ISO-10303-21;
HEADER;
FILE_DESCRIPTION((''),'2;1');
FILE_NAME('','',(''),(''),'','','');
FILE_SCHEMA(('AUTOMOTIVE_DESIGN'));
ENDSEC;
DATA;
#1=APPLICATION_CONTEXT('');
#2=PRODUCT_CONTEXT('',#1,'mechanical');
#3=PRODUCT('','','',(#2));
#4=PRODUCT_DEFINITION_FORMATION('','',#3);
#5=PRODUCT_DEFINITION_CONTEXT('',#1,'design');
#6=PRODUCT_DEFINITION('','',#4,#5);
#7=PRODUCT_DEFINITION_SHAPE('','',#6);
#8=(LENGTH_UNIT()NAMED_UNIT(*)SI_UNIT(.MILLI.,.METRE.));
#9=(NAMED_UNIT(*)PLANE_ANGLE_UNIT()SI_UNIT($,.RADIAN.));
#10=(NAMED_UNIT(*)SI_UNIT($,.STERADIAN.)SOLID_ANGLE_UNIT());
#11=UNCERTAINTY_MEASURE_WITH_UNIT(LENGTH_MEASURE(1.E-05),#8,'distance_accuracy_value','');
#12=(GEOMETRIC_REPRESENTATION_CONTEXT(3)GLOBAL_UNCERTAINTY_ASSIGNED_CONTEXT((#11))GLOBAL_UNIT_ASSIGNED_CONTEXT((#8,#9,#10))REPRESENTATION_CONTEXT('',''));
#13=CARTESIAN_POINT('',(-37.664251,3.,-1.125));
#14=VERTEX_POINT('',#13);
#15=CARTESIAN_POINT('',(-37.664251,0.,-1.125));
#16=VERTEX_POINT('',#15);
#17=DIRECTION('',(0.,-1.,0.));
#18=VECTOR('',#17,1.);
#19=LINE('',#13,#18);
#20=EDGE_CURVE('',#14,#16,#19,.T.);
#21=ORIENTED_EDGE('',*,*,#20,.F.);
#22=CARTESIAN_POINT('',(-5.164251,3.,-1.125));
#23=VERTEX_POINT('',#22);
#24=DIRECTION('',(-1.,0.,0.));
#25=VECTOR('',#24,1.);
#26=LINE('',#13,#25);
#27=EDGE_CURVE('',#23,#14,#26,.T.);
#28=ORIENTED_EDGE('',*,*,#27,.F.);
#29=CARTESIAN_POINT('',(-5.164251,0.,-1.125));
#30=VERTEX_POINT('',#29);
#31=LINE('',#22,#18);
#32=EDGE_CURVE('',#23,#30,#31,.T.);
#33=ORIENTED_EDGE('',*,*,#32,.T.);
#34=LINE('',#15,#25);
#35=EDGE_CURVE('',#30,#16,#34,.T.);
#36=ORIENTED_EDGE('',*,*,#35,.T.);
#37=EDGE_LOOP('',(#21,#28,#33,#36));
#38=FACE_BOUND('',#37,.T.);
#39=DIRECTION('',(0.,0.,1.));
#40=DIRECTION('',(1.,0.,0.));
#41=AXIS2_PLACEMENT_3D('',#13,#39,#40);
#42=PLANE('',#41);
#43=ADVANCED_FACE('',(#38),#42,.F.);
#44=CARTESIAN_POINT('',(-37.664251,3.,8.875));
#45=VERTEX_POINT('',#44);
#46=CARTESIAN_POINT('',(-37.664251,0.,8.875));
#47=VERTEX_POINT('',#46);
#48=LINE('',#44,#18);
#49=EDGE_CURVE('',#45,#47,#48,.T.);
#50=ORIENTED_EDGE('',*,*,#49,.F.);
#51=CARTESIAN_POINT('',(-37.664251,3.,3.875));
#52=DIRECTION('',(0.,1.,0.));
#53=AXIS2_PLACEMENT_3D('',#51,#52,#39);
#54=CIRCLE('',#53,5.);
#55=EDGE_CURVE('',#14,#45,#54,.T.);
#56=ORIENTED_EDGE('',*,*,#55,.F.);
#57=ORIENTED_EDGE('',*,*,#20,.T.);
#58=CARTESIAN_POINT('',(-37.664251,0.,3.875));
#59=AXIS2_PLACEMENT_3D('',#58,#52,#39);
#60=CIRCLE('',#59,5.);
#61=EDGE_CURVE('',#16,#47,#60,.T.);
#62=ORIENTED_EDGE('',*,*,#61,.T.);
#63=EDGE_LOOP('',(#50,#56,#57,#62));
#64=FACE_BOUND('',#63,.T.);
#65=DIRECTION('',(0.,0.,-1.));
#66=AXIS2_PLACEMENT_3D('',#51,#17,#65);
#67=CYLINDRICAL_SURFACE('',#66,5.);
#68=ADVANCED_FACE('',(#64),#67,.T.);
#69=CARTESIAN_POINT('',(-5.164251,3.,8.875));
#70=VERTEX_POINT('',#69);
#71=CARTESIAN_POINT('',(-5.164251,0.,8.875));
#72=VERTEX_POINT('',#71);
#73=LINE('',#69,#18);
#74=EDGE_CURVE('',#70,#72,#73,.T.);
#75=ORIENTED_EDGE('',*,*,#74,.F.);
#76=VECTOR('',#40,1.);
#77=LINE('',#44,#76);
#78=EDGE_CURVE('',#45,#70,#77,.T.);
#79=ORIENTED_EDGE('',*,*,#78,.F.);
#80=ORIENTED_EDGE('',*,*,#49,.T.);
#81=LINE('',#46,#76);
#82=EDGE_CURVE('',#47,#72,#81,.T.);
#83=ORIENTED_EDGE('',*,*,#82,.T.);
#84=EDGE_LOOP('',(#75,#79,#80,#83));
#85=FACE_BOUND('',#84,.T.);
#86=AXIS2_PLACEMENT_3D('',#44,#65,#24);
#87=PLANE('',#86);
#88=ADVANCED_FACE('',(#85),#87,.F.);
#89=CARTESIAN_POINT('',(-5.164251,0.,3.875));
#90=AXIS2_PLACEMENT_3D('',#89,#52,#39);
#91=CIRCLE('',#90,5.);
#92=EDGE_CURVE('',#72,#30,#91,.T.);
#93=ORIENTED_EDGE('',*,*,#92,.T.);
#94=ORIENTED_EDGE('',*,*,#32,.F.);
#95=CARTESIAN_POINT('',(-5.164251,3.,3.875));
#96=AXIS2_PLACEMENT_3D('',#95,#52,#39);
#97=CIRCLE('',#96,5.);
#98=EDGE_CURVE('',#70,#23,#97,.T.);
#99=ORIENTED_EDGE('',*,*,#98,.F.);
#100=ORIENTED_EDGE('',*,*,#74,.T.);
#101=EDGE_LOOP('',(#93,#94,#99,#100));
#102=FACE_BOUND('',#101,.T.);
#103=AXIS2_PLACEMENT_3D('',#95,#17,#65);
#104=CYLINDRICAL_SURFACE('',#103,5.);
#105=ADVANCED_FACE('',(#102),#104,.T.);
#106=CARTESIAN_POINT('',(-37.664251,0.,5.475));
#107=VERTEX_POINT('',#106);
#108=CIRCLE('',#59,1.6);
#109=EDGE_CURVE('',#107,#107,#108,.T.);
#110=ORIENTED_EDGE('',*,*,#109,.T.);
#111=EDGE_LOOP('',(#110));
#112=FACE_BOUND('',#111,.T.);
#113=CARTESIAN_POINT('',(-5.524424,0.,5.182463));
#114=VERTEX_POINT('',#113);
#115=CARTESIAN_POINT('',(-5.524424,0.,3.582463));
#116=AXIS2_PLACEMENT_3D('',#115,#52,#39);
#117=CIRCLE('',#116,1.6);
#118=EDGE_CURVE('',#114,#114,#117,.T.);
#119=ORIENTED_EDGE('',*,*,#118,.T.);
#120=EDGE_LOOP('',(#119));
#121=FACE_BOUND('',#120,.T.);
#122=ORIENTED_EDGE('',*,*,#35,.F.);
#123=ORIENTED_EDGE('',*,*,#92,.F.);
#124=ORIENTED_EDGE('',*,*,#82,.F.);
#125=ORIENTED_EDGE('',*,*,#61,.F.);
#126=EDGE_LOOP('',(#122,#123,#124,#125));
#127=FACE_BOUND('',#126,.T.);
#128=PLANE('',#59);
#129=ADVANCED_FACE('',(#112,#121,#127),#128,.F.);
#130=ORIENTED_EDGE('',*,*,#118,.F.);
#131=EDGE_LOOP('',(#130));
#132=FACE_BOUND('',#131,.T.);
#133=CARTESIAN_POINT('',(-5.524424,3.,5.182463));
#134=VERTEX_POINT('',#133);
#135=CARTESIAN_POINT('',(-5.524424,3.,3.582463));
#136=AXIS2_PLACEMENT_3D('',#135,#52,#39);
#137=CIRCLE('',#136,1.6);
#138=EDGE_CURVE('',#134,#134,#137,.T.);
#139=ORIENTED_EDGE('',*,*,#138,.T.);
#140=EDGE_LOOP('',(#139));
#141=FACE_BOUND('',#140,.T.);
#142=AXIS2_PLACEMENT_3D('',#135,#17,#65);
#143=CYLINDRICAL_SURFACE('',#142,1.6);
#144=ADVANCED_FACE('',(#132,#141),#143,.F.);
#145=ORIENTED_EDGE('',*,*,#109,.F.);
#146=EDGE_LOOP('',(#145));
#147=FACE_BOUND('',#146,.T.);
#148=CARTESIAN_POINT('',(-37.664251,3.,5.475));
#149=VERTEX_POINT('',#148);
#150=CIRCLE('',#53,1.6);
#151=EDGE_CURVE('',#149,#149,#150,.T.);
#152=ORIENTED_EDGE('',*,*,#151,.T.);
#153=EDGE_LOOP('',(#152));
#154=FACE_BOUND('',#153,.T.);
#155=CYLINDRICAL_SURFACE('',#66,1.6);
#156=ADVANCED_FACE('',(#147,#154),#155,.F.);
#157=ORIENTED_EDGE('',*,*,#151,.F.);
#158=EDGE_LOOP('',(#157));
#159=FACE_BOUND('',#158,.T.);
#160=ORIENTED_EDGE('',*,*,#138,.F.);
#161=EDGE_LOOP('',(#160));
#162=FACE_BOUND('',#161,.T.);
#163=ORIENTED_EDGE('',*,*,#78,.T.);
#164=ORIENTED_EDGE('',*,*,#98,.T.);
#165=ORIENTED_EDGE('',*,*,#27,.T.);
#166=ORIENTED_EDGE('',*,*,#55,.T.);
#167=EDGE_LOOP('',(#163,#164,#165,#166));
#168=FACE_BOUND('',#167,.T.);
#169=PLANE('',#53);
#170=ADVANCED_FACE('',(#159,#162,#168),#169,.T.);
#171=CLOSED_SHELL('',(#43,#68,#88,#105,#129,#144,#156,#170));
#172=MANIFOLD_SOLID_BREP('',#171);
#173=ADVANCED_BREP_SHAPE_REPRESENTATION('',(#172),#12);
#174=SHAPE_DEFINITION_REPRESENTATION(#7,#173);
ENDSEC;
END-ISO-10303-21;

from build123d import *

# Parameters (mm, degrees)
SKETCH1_R           = 1.6
BOSS_EXTRUDE1_DEPTH = 3


with BuildPart() as part:
    # Sketch1 → Boss-Extrude1 (new body)
    with BuildSketch(Plane(origin=(0, 0, 0), x_dir=(1, 0, 0), z_dir=(0, 1, 0))):
        with BuildLine():
            Line((-37.664251208, 1.125), (-5.164251208, 1.125))
            ThreePointArc((-5.164251208, 1.125), (-0.164251208, -3.875), (-5.164251208, -8.875))
            Line((-5.164251208, -8.875), (-37.664251208, -8.875))
            ThreePointArc((-37.664251208, -8.875), (-42.664251208, -3.875), (-37.664251208, 1.125))
        make_face()
        with Locations((-37.664251208, -3.875)):
            Circle(SKETCH1_R, mode=Mode.SUBTRACT)
        with Locations((-5.52442378, -3.582463022)):
            Circle(SKETCH1_R, mode=Mode.SUBTRACT)
    extrude(amount=BOSS_EXTRUDE1_DEPTH)


solid = part.part
